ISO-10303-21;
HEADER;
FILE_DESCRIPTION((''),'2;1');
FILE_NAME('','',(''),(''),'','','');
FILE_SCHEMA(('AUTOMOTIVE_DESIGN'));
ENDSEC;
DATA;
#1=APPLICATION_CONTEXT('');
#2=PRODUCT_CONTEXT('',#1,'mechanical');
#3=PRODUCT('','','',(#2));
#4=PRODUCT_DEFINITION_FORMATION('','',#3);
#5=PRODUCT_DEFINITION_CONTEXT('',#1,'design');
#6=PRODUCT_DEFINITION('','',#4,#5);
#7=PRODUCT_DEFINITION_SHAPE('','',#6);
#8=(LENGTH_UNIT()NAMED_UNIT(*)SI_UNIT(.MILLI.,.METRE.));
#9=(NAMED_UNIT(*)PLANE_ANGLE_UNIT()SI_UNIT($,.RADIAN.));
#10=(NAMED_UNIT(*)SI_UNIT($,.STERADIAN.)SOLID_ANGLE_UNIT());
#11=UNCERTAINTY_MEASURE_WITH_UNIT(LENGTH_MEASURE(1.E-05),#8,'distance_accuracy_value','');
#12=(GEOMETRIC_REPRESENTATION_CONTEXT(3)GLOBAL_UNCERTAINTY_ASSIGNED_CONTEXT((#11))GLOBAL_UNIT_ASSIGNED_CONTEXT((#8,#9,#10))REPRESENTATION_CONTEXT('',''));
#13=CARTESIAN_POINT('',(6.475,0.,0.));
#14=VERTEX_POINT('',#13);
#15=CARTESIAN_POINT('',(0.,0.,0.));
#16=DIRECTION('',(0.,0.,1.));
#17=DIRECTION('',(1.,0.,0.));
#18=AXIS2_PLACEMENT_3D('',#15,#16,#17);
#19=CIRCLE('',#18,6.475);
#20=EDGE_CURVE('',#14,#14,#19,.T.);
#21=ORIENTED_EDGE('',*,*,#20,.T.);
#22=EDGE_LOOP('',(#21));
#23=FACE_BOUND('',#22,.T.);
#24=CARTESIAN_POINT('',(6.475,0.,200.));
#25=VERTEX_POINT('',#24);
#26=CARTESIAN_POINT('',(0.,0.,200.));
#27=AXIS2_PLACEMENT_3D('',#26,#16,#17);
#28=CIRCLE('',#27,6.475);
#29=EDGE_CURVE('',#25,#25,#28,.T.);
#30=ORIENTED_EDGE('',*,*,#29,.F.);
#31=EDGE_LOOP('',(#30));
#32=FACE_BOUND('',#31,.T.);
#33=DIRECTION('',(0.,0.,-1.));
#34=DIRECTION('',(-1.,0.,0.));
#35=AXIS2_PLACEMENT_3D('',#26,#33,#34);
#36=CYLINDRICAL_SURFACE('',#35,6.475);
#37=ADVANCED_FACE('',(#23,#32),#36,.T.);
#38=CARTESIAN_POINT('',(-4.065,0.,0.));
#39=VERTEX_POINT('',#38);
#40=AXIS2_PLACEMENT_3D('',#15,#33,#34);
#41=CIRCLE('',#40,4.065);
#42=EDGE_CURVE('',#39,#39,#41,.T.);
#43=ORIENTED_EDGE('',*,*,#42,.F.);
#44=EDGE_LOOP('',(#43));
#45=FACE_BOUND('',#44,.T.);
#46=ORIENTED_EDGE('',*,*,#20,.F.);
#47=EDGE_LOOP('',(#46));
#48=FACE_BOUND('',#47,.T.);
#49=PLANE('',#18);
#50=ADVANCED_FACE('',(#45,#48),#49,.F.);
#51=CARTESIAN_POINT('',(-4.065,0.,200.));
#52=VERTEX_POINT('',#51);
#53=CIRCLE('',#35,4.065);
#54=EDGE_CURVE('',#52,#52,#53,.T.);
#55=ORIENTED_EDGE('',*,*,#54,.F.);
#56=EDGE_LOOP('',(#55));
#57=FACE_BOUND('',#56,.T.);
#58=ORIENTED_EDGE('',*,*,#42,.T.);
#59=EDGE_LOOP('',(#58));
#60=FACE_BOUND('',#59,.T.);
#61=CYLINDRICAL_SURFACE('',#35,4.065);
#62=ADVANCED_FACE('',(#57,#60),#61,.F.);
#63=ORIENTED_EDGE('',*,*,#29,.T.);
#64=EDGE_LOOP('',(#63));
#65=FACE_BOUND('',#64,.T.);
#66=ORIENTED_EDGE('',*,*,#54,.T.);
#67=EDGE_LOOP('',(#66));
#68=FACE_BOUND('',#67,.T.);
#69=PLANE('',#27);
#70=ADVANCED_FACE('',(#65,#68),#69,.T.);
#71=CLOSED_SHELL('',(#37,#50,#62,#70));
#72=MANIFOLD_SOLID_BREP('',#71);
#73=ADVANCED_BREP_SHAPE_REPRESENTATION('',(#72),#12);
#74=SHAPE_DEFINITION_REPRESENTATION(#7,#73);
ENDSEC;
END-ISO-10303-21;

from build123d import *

# Parameters (mm, degrees)
ESQUISSE1_R             = 6.475
BOSS_EXTRU_1_DEPTH      = 200
ESQUISSE2_R             = 4.065
ENL_V_MAT_EXTRU_1_DEPTH = 201


with BuildPart() as part:
    # Esquisse1 → Boss.-Extru.1 (new body)
    with BuildSketch(Plane.XY):
        Circle(ESQUISSE1_R)
    extrude(amount=BOSS_EXTRU_1_DEPTH)

    # Esquisse2 → Enlèv. mat.-Extru.1 (cut, through all)
    with BuildSketch(Plane(origin=(0, 0, 0), x_dir=(-1, 0, 0), z_dir=(0, 0, -1))):
        Circle(ESQUISSE2_R)
    extrude(amount=-ENL_V_MAT_EXTRU_1_DEPTH, mode=Mode.SUBTRACT)


solid = part.part
